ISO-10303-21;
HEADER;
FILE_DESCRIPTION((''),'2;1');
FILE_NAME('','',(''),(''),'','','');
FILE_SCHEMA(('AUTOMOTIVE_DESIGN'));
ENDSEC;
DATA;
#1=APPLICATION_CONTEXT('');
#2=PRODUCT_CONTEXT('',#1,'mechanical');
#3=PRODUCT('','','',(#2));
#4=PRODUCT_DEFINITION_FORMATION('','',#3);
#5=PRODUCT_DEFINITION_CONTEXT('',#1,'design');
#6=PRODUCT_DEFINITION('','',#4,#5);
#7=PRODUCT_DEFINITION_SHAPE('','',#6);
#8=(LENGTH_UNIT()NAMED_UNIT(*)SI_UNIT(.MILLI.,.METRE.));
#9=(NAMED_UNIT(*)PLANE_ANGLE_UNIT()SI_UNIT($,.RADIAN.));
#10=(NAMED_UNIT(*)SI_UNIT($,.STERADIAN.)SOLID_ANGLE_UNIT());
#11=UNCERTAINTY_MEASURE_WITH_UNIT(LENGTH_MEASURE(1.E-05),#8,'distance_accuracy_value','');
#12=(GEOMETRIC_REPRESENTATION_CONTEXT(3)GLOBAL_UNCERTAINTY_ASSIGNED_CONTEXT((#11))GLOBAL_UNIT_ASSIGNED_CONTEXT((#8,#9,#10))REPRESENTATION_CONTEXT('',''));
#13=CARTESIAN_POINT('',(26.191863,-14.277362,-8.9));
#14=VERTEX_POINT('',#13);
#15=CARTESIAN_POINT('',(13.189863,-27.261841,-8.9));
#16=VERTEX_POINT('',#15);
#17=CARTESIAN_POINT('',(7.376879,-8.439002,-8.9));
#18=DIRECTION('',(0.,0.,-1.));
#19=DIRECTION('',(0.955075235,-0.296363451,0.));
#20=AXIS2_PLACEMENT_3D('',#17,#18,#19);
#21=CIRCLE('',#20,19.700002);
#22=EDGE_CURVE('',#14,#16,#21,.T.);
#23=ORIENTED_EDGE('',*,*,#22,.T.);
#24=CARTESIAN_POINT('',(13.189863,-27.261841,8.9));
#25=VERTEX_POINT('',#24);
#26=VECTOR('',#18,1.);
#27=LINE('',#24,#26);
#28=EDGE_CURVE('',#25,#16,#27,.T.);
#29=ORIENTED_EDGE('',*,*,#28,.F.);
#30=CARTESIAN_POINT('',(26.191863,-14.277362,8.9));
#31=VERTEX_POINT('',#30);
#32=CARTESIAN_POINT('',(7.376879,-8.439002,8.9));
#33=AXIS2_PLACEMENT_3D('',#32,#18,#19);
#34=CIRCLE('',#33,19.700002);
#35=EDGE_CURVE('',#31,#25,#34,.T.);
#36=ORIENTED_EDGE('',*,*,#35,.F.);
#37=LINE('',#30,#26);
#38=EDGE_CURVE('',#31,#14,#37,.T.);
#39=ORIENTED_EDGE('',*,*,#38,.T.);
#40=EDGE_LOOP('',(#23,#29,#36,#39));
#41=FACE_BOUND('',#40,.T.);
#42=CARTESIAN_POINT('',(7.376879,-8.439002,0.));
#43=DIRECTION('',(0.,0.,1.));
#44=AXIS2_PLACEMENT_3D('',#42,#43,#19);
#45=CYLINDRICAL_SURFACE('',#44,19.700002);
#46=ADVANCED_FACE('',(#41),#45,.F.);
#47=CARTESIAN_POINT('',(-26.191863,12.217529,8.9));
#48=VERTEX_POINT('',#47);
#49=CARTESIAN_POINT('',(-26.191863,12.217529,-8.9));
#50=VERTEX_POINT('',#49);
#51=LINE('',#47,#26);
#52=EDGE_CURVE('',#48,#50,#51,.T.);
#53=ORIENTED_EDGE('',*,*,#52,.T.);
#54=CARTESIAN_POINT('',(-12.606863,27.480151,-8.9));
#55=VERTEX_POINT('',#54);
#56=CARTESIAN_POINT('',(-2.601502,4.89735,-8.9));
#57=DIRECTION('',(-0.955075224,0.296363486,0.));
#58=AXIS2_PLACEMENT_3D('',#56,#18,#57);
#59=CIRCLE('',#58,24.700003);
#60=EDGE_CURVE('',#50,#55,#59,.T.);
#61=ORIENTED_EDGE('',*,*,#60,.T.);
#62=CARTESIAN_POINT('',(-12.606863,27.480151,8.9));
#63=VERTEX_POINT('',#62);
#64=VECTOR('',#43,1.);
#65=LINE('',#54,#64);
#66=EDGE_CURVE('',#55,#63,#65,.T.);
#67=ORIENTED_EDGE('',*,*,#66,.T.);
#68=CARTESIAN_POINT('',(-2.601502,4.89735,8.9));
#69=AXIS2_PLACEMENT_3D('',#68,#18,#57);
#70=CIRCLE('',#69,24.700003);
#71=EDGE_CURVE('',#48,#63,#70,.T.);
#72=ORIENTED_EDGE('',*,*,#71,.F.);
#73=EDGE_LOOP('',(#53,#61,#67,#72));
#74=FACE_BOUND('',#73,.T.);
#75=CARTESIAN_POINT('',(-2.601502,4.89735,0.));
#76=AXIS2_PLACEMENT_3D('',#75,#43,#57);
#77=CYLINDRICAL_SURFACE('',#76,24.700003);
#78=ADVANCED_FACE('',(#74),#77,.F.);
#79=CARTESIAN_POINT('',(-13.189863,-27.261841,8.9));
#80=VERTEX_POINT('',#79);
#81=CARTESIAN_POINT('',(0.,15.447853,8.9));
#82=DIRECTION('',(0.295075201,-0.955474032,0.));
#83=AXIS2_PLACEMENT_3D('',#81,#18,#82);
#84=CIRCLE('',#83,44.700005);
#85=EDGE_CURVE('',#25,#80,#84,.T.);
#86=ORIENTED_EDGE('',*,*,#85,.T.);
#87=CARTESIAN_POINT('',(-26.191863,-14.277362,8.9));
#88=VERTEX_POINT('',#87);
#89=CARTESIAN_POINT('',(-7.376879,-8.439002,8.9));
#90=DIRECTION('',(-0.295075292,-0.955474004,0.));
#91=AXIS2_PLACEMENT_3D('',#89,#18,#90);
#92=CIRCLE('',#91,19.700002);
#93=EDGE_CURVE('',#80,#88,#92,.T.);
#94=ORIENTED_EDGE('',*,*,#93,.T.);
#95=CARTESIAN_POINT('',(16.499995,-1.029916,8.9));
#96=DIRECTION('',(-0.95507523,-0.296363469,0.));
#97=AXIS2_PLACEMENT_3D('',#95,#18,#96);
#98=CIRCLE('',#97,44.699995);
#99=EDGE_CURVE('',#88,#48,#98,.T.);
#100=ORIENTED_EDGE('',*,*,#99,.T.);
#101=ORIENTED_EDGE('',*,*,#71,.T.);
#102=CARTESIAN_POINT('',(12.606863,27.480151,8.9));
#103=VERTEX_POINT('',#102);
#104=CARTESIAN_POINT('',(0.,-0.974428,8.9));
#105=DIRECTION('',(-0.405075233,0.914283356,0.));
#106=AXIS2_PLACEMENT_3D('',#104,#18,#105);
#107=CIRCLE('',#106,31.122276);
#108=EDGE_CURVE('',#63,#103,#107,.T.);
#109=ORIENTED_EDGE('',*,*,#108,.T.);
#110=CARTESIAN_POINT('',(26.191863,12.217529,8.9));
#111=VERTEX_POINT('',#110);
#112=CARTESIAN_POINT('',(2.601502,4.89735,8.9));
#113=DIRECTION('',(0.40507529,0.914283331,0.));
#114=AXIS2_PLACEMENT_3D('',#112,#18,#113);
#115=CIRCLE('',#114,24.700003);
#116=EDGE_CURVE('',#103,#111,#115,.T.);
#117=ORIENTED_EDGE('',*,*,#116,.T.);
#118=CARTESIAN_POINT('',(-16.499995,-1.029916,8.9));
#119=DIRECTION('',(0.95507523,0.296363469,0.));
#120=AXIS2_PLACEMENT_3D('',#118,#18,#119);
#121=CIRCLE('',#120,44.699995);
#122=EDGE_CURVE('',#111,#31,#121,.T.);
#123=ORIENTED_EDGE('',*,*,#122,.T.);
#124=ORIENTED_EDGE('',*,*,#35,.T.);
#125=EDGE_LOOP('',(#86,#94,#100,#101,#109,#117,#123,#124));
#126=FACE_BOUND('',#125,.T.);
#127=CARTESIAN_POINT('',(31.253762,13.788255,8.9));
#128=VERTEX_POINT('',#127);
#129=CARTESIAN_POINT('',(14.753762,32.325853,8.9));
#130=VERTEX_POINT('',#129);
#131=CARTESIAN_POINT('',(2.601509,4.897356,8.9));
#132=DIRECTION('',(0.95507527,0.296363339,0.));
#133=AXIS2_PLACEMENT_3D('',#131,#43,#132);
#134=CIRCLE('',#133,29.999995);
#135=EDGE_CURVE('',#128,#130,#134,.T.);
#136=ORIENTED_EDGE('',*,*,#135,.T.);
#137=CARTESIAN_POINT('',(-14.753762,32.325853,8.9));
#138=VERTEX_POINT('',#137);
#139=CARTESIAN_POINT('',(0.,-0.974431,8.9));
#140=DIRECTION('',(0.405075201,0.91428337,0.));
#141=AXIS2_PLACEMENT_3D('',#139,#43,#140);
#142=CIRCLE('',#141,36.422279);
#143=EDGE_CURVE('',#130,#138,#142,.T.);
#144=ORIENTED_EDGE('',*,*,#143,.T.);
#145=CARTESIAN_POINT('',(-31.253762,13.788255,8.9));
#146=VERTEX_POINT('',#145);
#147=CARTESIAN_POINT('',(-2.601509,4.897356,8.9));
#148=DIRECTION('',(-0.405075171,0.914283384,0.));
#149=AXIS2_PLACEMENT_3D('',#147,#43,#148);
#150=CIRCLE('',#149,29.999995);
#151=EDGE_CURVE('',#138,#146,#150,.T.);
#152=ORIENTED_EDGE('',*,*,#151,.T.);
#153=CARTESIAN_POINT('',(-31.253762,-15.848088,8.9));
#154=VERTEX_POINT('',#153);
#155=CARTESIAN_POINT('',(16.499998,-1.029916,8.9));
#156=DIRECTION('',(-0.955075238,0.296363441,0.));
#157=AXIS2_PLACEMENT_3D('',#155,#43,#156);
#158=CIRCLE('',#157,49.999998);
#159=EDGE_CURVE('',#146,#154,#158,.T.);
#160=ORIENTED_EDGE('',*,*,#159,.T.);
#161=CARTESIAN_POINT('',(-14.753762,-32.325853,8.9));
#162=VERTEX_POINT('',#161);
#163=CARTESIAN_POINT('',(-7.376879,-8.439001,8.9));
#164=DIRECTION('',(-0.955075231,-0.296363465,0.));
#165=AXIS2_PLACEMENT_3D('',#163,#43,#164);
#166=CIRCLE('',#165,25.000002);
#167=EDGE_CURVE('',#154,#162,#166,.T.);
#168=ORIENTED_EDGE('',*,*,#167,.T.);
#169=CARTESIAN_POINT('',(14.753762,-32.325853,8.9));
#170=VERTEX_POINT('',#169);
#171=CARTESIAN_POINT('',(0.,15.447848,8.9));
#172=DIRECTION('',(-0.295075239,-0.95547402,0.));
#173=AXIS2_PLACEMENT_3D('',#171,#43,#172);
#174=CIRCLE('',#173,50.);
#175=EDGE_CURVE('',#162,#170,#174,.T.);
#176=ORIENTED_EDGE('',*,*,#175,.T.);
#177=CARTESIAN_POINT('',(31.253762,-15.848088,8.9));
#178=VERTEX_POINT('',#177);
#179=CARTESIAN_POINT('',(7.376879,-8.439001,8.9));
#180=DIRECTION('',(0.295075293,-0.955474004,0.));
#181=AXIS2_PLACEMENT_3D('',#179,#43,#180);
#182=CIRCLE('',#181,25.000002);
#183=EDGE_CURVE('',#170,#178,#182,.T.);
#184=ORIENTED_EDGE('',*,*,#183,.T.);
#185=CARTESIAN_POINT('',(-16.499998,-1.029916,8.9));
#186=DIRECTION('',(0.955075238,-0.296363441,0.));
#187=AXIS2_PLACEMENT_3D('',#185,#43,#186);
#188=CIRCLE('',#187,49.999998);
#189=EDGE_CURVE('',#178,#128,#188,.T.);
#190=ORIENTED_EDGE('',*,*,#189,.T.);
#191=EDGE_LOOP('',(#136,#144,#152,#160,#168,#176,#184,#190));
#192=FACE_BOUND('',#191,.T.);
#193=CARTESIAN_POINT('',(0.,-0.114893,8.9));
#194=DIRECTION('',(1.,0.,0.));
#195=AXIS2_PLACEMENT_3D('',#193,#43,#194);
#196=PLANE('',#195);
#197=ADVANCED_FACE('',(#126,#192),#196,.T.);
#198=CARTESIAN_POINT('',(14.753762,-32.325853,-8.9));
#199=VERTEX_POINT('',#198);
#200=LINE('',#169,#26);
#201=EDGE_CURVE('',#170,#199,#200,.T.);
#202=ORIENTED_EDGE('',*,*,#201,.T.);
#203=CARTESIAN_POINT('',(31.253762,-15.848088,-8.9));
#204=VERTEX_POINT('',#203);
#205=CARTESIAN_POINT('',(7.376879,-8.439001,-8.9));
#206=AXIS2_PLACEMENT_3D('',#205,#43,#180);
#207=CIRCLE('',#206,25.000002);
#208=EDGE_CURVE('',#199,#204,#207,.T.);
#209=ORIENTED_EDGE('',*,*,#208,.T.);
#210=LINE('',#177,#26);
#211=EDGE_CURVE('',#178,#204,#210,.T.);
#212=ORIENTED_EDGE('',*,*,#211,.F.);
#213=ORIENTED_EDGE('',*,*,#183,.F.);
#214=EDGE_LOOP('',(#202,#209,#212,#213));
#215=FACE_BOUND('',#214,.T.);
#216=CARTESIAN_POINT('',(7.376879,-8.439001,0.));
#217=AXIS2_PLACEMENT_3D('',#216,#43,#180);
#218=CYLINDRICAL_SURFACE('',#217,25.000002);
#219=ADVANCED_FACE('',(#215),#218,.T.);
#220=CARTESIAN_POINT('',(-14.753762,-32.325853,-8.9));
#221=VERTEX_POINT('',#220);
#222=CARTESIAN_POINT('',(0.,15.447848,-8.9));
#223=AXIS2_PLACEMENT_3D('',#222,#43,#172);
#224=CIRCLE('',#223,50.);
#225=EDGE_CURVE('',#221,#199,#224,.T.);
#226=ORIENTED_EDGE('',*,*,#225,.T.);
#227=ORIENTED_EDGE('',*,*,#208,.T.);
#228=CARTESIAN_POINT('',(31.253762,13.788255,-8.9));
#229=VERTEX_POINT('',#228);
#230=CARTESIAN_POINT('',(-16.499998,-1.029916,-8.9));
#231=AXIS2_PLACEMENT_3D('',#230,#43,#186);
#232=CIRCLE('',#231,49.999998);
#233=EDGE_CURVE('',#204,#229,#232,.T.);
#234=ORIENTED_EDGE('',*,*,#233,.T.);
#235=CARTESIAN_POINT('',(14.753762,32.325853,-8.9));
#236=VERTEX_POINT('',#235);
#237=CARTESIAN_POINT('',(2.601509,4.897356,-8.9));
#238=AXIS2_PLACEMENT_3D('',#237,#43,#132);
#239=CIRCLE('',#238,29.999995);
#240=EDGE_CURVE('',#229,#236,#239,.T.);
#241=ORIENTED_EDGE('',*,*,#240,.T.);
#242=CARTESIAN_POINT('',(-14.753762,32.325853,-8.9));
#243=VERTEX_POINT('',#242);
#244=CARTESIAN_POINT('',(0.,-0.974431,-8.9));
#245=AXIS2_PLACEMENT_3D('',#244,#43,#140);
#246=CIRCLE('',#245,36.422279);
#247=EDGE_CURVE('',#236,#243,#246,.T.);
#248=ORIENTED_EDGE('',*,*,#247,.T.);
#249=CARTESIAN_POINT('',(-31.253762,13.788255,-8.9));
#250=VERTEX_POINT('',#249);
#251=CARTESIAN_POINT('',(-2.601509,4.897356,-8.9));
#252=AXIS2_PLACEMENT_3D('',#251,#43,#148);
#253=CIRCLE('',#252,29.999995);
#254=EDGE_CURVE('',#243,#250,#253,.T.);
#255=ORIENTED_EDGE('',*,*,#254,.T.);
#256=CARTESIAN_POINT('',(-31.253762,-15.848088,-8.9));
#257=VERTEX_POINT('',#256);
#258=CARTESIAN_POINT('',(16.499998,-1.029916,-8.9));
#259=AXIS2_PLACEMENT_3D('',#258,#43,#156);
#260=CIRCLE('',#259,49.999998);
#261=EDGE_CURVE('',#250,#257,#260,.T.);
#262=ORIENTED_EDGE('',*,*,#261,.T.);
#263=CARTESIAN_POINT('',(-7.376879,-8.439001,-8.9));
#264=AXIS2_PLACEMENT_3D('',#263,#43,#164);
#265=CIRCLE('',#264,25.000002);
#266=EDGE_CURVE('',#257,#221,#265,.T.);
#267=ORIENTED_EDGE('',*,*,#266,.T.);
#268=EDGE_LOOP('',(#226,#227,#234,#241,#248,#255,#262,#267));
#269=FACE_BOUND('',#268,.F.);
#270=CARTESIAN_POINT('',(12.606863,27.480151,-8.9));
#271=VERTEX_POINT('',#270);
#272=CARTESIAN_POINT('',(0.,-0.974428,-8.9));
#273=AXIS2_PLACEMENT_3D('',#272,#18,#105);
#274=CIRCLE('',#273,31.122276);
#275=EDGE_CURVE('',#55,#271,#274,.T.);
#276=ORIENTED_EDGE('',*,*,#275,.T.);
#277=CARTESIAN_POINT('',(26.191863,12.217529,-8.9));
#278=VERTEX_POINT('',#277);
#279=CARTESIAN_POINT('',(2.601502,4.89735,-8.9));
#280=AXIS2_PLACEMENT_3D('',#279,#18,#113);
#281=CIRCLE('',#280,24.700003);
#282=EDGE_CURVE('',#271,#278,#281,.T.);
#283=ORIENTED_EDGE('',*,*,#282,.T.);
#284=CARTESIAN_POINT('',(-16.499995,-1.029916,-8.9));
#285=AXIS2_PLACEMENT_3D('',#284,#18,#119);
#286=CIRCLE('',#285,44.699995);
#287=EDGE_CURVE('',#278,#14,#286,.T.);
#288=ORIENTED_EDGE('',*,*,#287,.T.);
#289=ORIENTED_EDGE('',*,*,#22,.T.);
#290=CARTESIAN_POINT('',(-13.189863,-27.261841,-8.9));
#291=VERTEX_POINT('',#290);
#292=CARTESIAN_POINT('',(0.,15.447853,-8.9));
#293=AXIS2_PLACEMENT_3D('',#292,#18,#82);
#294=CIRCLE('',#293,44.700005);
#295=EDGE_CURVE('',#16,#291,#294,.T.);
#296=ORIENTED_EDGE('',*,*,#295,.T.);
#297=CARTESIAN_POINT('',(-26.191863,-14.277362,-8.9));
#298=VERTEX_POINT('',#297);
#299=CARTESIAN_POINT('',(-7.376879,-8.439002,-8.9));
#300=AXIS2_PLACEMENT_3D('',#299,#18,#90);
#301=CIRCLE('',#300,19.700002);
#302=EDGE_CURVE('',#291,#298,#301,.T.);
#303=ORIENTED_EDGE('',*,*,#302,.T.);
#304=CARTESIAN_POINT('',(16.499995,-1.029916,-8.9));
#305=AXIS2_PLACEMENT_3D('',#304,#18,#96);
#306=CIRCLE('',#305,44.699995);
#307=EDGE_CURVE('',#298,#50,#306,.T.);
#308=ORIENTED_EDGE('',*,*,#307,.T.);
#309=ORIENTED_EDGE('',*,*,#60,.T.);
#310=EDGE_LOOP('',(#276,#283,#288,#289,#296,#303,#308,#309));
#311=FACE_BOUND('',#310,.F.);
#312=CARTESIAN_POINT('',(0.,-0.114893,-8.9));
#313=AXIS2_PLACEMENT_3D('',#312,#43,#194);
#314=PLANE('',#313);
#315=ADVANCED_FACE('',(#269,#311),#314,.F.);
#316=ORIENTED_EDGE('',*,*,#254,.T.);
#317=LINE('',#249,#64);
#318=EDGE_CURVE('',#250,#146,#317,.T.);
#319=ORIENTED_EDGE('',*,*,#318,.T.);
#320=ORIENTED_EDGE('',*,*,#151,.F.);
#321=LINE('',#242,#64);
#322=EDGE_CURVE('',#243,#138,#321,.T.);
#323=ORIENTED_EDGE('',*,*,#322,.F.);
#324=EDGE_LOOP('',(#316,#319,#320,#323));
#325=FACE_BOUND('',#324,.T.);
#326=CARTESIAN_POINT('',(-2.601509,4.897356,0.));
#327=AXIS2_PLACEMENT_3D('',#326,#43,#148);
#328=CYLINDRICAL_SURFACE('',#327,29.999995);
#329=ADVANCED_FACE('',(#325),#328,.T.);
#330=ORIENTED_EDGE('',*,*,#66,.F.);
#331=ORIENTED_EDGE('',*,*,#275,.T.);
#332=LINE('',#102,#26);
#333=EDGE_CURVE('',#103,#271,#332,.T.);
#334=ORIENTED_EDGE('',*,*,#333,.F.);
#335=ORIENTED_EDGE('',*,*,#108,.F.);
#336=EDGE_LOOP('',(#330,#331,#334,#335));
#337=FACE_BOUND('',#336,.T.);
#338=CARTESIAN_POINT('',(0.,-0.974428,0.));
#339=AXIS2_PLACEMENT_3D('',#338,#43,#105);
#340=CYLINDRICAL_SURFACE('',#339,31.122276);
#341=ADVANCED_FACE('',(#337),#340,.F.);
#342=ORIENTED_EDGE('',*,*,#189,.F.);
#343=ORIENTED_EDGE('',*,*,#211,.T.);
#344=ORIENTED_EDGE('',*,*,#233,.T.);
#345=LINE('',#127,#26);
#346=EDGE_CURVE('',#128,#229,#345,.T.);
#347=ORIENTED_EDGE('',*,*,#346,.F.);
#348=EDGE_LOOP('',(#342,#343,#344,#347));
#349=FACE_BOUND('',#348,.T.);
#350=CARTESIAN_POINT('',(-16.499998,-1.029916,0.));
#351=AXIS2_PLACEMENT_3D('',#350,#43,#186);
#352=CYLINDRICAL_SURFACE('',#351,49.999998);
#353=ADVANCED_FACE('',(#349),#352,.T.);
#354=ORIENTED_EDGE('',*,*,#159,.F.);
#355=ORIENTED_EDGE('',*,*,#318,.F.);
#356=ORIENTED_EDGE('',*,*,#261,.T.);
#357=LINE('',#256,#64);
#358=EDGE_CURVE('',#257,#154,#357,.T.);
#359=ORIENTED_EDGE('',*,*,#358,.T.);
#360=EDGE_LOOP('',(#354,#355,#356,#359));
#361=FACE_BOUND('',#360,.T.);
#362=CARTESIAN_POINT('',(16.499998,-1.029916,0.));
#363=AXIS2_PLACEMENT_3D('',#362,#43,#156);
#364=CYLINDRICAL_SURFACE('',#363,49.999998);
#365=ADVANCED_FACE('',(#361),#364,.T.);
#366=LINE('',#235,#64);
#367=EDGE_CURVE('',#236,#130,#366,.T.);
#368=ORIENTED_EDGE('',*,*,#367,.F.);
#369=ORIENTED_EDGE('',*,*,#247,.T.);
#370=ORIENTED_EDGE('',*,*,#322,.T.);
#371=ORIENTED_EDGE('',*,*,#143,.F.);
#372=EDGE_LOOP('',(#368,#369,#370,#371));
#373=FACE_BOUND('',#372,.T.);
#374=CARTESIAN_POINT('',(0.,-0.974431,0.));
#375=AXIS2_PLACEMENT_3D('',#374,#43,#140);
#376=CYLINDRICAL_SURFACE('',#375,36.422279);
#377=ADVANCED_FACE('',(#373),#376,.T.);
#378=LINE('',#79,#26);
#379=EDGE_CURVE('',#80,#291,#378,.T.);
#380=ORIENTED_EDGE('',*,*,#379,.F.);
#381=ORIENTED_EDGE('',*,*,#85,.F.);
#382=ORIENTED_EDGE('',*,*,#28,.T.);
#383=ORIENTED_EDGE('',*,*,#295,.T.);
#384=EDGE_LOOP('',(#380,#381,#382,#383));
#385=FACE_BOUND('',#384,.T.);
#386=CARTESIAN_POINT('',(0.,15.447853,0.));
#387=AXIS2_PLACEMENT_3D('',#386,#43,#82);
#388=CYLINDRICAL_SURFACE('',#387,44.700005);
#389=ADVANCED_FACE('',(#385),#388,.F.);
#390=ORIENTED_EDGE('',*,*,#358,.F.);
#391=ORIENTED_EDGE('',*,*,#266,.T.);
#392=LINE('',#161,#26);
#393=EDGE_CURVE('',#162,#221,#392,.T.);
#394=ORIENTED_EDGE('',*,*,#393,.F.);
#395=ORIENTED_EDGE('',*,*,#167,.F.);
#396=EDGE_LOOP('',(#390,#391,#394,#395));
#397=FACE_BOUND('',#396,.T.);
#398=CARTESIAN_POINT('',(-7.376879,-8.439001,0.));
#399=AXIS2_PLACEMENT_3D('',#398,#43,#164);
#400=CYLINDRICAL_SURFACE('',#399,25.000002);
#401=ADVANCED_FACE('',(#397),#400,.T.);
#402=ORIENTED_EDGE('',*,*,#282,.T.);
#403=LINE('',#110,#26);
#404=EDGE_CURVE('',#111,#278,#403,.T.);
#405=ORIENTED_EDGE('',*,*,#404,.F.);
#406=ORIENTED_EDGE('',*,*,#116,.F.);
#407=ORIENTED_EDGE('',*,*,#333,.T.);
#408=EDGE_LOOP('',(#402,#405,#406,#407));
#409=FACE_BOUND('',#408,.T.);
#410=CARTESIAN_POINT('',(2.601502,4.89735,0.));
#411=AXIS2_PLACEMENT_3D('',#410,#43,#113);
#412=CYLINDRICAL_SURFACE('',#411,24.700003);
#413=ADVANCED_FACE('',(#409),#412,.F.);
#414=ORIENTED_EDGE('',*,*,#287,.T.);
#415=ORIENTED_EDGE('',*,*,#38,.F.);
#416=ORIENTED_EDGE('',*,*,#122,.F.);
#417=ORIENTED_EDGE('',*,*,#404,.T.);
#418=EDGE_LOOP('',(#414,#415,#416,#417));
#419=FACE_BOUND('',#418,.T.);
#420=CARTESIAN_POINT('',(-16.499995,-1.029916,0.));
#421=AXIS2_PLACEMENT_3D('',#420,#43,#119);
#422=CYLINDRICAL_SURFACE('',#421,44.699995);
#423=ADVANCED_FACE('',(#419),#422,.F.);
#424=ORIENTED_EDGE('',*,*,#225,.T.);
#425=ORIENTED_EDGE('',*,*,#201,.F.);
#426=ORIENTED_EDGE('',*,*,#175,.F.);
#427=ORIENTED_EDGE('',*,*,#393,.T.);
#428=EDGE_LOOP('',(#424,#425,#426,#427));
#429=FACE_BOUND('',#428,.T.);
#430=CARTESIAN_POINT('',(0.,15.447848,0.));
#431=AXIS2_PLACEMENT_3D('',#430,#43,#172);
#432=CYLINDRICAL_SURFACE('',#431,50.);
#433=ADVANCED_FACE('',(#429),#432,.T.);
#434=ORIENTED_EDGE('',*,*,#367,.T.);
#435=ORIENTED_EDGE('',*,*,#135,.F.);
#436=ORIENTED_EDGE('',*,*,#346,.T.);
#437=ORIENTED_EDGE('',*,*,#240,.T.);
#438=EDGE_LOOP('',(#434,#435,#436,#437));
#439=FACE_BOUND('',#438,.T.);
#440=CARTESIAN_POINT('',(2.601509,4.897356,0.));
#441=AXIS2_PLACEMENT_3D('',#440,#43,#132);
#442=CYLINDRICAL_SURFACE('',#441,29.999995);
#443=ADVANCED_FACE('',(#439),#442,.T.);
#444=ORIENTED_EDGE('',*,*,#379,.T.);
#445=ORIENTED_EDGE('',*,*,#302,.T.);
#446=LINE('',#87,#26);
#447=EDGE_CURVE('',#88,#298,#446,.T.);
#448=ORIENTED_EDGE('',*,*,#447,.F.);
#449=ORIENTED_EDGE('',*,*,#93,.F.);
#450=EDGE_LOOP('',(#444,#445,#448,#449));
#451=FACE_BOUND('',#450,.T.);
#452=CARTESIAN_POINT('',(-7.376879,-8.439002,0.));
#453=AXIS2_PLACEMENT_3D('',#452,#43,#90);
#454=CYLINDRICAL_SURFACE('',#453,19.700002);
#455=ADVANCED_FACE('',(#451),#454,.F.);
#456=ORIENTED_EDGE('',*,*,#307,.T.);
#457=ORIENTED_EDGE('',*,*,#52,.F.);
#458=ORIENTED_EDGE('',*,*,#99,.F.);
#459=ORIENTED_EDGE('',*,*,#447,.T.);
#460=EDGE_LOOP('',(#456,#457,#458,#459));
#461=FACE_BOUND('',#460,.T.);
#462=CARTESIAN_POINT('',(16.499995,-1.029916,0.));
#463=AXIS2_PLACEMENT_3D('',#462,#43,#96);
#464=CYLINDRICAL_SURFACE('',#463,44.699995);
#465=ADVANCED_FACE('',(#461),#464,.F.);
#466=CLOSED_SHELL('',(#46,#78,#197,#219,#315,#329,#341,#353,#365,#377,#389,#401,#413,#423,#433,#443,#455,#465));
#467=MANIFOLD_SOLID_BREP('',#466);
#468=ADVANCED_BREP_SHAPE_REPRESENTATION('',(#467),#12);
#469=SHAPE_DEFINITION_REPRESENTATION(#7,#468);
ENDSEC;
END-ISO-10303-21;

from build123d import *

# Parameters (mm, degrees)
F1_DEPTH = 8.9


with BuildPart() as f1:
    # F0 (on Top) → F1 (new body, symmetric)
    with BuildSketch(Plane.XY):
        with BuildLine():
            ThreePointArc((31.253762, 13.788255), (25.010493, 24.843211), (14.753762, 32.325853))
            ThreePointArc((14.753762, 32.325853), (0, 35.447848), (-14.753762, 32.325853))
            ThreePointArc((-14.753762, 32.325853), (-25.010493, 24.843211), (-31.253762, 13.788255))
            ThreePointArc((-31.253762, 13.788255), (-33.5, -1.029916), (-31.253762, -15.848088))
            ThreePointArc((-31.253762, -15.848088), (-25.042627, -26.128587), (-14.753762, -32.325853))
            ThreePointArc((-14.753762, -32.325853), (0, -34.552152), (14.753762, -32.325853))
            ThreePointArc((14.753762, -32.325853), (25.042627, -26.128587), (31.253762, -15.848088))
            ThreePointArc((31.253762, -15.848088), (33.5, -1.029916), (31.253762, 13.788255))
        make_face()
        with BuildLine():
            ThreePointArc((-12.606863, 27.480151), (0, 30.147848), (12.606863, 27.480151))
            ThreePointArc((12.606863, 27.480151), (21.051571, 21.319442), (26.191863, 12.217529))
            ThreePointArc((26.191863, 12.217529), (28.2, -1.029916), (26.191863, -14.277362))
            ThreePointArc((26.191863, -14.277362), (21.297489, -22.378395), (13.189863, -27.261841))
            ThreePointArc((13.189863, -27.261841), (0, -29.252152), (-13.189863, -27.261841))
            ThreePointArc((-13.189863, -27.261841), (-21.297489, -22.378395), (-26.191863, -14.277362))
            ThreePointArc((-26.191863, -14.277362), (-28.2, -1.029916), (-26.191863, 12.217529))
            ThreePointArc((-26.191863, 12.217529), (-21.051571, 21.319442), (-12.606863, 27.480151))
        make_face(mode=Mode.SUBTRACT)
    extrude(amount=F1_DEPTH, both=True)


solid = f1.part
